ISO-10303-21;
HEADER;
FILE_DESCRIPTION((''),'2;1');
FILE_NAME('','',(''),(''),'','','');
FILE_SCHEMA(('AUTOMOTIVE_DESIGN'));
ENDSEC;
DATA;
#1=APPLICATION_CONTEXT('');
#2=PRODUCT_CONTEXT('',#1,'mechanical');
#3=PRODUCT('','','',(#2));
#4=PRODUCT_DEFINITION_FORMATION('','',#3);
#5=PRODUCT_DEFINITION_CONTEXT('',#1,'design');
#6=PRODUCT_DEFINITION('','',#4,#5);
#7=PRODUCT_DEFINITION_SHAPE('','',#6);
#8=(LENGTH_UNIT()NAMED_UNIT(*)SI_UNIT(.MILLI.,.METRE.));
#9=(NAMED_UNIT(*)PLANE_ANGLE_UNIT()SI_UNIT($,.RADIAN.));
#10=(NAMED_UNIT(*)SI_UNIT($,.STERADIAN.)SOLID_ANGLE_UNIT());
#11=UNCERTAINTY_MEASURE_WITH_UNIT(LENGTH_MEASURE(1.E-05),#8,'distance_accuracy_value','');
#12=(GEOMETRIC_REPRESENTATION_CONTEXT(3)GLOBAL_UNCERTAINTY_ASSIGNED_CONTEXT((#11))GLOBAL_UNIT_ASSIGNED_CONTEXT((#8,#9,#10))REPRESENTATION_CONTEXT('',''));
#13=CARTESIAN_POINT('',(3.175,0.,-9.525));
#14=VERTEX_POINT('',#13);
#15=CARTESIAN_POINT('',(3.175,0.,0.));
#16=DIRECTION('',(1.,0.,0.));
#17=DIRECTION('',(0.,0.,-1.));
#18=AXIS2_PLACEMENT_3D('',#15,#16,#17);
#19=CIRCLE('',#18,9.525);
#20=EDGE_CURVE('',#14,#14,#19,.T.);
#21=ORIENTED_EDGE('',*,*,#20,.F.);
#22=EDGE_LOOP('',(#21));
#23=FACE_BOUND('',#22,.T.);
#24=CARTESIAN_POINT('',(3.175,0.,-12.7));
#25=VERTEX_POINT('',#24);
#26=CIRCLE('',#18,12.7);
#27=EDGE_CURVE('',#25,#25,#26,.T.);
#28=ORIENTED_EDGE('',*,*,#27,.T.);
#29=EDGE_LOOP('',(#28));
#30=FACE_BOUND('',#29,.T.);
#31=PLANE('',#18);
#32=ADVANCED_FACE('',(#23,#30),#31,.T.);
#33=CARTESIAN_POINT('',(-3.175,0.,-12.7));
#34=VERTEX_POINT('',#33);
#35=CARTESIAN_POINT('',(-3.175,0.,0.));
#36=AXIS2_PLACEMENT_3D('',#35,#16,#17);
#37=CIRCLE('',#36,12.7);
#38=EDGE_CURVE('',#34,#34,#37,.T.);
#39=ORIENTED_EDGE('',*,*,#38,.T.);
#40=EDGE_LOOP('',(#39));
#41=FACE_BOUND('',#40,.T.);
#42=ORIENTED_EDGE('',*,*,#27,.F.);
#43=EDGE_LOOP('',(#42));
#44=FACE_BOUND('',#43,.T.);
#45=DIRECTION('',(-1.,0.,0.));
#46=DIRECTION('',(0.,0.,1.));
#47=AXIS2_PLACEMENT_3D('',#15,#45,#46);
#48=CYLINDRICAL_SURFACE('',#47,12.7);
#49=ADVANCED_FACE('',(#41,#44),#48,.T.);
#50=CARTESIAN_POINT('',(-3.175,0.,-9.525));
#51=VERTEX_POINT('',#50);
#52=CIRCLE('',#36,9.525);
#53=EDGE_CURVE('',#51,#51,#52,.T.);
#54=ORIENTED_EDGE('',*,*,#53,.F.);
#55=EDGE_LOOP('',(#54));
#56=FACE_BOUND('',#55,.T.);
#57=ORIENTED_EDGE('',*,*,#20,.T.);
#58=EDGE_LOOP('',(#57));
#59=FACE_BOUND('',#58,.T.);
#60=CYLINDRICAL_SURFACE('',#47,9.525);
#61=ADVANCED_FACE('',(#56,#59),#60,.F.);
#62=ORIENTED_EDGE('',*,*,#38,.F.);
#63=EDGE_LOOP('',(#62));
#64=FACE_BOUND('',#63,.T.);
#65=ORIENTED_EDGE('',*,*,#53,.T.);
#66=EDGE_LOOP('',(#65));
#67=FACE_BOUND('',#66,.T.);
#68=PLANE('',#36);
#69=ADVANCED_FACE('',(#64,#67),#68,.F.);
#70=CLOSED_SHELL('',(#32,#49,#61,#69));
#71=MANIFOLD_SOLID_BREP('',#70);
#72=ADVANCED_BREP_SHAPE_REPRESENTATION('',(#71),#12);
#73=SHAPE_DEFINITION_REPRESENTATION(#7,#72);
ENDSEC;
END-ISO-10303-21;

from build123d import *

# Parameters (mm, degrees)
SKETCH3_R           = 12.7
SKETCH3_R_2         = 9.525
BOSS_EXTRUDE1_DEPTH = 3.175


with BuildPart() as part:
    # Sketch3 → Boss-Extrude1 (new body, symmetric)
    with BuildSketch(Plane(origin=(0, 0, 0), x_dir=(0, 0, -1), z_dir=(1, 0, 0))):
        Circle(SKETCH3_R)
        Circle(SKETCH3_R_2, mode=Mode.SUBTRACT)
    extrude(amount=BOSS_EXTRUDE1_DEPTH, both=True)


solid = part.part
